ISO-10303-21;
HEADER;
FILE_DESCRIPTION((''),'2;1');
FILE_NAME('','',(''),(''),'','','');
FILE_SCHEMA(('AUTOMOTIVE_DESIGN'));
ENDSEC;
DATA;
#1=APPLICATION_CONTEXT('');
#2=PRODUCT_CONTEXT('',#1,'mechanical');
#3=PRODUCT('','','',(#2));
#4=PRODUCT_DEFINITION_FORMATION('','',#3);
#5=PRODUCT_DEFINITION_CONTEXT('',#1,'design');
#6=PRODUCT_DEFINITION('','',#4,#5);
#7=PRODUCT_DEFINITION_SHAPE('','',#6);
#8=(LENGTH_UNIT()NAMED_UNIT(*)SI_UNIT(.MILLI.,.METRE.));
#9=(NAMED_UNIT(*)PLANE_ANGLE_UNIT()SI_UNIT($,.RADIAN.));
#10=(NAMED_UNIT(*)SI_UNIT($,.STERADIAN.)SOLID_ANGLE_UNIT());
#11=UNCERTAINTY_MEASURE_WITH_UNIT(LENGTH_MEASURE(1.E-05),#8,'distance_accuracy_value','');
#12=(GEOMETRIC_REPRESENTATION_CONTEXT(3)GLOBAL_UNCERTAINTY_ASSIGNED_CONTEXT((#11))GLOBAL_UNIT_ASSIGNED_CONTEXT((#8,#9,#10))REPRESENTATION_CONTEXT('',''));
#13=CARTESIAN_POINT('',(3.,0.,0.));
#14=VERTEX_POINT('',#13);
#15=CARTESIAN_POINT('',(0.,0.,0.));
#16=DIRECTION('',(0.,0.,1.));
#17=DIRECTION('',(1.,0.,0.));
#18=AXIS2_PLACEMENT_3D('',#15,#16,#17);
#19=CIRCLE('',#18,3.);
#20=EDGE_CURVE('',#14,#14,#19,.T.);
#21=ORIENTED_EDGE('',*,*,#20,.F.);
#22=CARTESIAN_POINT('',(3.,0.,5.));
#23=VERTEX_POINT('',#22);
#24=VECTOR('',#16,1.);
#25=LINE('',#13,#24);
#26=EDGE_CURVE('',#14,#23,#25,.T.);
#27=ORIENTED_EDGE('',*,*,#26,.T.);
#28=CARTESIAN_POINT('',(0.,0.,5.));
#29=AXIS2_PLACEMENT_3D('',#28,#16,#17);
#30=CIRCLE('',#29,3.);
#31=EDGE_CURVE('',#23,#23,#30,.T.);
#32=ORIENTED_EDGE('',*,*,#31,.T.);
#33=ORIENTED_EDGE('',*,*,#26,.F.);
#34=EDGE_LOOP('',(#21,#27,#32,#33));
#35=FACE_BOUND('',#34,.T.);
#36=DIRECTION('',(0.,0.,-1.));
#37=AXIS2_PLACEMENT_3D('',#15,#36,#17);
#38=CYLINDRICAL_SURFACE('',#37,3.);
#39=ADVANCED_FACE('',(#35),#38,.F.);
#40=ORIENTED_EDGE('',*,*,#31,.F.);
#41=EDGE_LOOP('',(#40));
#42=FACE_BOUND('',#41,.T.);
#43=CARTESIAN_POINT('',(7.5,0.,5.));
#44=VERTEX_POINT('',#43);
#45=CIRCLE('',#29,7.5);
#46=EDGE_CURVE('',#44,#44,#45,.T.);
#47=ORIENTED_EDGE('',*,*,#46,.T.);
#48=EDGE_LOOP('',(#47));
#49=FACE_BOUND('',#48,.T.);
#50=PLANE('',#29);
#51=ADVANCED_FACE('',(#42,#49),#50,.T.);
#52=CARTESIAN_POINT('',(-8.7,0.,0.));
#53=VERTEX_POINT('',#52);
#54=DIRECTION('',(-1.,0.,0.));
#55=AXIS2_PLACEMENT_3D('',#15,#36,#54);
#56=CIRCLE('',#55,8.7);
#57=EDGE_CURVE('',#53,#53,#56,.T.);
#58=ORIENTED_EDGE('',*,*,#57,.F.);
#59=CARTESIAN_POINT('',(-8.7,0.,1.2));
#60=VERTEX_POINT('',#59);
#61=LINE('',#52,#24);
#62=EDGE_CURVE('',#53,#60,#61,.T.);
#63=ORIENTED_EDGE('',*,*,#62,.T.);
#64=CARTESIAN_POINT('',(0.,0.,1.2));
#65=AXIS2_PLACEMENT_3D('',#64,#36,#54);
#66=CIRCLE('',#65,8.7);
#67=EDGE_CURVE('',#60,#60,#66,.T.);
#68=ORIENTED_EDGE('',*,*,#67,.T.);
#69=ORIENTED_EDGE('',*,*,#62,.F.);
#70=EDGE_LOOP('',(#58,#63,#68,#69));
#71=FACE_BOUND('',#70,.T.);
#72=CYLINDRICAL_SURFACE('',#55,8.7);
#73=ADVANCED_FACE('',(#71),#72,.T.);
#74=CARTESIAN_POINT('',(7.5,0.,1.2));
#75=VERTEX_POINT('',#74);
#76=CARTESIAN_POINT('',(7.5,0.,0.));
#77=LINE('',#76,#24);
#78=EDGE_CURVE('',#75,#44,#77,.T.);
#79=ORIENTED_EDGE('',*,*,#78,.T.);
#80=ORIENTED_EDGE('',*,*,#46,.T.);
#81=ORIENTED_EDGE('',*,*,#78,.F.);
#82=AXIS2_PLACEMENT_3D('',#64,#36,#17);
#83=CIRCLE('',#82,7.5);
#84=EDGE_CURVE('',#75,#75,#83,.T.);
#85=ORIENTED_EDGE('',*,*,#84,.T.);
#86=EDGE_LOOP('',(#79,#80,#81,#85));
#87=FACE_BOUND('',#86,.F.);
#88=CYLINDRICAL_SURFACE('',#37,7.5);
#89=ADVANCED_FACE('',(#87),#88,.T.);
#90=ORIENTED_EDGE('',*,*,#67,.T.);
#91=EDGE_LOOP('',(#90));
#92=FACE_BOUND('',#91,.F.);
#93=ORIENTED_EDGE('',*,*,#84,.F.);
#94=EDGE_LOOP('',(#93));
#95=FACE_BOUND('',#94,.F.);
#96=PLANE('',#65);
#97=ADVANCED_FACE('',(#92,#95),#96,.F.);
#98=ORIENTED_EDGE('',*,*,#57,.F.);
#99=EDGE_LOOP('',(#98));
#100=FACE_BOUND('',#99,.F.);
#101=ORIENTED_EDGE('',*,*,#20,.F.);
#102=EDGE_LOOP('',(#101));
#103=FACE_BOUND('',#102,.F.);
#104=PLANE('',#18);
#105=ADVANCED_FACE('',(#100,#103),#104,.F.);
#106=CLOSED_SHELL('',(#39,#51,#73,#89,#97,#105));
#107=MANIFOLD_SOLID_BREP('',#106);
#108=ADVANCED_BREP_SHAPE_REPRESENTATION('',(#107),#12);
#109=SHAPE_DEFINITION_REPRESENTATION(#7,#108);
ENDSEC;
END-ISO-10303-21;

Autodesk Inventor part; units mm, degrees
ref_plane "YZ Plane" through (0, 0, 0) normal (1, 0, 0) x (0, 1, 0)
ref_plane "XZ Plane" through (0, 0, 0) normal (0, 1, 0) x (-1, 0, 0)
ref_plane "XY Plane" through (0, 0, 0) normal (0, 0, 1) x (1, 0, 0)
sketch "スケッチ1" plane through (0, 0, 0) normal (0, 0, 1) x (1, 0, 0)
  circle A0 centre (0, 0) radius 3
  circle A1 centre (0, 0) radius 7.5
  dimension "d0" = 6
  dimension "d1" = 15
extrude "押し出し1" add sketch "スケッチ1" along normal blind 5
sketch "スケッチ2" plane through (0, 0, 0) normal (0, 0, -1) x (-1, 0, 0)
  circle A0 centre (0, 0) radius 8.7
  circle A1 centre (0, 0) radius 3 projected
  circle A2 centre (0, 0) radius 7.5 projected
  dimension "d7" = 1.2
extrude "押し出し2" add sketch "スケッチ2" against normal blind 1.2 contours A0 | A2
properties part number "ベアリングフランジ付き0615.5t" material "鋼、高強度、低合金"
